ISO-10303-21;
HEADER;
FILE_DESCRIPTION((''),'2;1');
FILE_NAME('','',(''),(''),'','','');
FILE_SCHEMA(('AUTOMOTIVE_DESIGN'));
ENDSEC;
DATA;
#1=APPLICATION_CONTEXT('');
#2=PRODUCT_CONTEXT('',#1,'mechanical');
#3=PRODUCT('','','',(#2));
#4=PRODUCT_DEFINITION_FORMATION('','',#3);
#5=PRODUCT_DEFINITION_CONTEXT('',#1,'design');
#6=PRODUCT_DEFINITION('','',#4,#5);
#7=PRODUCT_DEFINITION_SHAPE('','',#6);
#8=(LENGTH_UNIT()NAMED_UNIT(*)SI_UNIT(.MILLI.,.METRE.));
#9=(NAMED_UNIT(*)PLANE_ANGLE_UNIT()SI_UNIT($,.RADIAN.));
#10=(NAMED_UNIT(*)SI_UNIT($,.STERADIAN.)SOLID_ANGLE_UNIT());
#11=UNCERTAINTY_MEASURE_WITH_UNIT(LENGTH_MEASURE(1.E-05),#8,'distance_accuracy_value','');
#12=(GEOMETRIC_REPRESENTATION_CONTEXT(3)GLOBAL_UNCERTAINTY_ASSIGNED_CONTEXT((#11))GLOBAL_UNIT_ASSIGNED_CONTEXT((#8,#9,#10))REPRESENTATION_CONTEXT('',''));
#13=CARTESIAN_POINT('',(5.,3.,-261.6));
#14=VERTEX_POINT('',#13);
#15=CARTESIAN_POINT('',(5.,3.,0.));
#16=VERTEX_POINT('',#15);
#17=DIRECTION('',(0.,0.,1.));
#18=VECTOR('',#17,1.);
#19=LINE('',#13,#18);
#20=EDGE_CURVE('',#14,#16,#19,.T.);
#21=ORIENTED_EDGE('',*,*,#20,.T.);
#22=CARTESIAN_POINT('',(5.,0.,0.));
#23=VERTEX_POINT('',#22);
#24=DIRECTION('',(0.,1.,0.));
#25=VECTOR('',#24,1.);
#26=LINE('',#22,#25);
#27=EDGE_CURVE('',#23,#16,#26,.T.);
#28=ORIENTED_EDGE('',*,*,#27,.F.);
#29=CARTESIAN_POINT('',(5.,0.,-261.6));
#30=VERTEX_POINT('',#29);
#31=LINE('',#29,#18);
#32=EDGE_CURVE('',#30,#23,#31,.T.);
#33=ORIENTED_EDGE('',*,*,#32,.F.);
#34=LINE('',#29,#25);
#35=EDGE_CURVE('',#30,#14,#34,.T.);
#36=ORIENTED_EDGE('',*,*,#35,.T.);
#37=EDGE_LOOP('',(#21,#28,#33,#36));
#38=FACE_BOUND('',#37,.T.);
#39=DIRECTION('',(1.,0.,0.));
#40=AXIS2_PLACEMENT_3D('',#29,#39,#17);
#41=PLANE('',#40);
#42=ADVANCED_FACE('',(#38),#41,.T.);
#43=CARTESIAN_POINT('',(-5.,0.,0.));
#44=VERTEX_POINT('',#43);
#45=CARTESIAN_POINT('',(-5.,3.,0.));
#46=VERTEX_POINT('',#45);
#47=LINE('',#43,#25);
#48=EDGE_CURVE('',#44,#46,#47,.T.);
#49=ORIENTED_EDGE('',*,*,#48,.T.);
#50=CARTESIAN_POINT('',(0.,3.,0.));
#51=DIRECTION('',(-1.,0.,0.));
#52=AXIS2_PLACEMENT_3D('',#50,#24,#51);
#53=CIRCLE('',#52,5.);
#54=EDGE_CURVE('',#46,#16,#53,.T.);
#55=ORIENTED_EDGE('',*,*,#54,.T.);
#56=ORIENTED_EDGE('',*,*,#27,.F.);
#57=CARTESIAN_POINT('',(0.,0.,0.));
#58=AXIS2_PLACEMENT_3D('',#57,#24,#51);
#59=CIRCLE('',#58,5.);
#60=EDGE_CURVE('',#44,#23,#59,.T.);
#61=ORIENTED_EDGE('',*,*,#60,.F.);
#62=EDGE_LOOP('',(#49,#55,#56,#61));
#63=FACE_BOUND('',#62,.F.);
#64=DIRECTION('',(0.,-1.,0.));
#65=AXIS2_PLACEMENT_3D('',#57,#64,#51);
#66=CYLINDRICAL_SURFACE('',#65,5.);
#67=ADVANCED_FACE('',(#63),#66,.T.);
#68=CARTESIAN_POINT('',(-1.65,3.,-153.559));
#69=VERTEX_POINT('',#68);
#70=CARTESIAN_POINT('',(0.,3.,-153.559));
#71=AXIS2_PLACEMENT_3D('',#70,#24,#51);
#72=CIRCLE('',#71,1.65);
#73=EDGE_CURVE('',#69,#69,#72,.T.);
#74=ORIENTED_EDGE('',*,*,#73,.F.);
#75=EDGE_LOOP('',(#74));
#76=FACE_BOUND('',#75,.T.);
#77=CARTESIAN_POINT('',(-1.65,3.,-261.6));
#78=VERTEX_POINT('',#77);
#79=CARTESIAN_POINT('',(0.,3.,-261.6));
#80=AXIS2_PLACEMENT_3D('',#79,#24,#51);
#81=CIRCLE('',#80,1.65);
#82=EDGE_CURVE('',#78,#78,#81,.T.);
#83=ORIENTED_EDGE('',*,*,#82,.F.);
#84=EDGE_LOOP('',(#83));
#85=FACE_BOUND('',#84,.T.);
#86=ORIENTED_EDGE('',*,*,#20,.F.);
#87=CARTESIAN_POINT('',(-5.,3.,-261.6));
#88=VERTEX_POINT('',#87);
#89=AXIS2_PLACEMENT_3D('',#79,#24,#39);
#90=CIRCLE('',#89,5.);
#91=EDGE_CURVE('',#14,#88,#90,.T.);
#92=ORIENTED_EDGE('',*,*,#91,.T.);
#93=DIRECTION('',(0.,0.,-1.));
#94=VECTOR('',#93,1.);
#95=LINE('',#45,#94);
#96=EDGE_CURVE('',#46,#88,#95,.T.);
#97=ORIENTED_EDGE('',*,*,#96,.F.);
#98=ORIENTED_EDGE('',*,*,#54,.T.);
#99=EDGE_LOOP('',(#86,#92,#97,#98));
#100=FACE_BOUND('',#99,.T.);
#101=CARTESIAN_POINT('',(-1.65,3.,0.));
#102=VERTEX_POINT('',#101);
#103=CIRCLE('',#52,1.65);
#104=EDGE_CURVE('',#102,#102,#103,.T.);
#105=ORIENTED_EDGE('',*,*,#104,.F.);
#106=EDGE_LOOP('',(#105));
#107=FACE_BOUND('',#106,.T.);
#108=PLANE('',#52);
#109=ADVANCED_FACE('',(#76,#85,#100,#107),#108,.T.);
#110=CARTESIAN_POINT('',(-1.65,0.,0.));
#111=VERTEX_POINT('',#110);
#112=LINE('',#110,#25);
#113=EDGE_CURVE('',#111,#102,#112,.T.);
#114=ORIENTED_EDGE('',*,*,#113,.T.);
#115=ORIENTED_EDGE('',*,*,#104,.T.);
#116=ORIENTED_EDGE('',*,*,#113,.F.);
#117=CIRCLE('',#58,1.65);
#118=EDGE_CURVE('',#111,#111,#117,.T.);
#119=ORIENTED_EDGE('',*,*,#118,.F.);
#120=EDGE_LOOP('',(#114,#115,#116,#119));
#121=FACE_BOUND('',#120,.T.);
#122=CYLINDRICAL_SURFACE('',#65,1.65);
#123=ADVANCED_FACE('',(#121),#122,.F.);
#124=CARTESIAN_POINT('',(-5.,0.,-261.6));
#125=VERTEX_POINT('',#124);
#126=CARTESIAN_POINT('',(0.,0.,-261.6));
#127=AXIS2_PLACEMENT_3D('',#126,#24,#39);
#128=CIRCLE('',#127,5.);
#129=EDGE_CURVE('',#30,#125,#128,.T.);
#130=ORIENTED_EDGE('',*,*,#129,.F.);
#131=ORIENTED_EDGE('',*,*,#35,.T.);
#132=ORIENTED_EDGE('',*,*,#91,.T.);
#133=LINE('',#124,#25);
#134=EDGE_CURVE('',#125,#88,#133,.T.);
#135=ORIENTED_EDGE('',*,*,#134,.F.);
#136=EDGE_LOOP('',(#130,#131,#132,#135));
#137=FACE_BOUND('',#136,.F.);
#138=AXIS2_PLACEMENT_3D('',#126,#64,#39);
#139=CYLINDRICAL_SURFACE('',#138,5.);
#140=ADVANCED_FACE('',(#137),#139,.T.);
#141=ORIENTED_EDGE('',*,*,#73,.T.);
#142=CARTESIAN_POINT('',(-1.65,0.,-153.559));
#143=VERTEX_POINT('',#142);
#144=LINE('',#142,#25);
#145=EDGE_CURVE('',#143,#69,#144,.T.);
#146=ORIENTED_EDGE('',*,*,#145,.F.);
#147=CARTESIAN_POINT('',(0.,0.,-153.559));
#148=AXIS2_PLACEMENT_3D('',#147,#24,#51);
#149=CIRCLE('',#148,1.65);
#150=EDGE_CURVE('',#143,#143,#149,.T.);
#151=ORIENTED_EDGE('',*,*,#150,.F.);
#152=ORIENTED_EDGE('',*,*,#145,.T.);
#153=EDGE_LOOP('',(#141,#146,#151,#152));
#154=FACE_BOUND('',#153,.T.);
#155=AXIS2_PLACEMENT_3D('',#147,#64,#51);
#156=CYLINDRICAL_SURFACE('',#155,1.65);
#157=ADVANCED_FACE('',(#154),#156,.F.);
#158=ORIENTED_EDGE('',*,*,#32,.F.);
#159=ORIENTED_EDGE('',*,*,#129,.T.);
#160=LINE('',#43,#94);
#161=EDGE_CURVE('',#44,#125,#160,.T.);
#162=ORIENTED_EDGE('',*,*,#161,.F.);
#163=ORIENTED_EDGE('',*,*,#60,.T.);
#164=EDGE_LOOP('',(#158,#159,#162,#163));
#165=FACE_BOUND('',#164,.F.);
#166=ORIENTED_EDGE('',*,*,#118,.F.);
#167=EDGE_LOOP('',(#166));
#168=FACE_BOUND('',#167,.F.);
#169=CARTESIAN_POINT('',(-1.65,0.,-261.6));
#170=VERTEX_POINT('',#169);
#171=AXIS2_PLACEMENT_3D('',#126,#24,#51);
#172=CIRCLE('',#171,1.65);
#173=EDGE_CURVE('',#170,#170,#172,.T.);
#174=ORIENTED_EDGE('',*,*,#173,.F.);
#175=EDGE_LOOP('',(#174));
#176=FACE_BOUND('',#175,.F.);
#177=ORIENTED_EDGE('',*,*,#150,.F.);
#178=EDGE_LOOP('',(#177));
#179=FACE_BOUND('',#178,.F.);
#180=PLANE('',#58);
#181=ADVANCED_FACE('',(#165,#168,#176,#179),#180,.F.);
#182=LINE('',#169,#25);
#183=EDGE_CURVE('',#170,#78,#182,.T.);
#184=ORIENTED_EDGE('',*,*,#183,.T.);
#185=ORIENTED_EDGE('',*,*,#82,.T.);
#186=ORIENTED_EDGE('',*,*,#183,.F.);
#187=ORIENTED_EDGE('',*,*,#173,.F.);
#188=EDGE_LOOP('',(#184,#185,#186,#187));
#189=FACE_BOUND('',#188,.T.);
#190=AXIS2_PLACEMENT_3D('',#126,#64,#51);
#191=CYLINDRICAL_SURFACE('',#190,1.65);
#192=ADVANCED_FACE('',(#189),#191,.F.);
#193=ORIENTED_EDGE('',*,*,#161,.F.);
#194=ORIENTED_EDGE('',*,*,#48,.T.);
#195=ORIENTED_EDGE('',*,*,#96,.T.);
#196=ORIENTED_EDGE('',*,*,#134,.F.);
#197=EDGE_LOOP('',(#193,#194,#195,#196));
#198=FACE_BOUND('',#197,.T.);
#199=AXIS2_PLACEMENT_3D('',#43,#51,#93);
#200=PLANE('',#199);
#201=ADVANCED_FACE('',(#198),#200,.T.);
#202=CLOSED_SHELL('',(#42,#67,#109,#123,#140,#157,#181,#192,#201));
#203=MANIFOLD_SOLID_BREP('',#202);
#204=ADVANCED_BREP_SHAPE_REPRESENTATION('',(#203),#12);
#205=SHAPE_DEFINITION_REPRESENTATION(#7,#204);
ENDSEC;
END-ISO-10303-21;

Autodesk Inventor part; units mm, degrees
ref_plane "YZ Plane" through (0, 0, 0) normal (1, 0, 0) x (0, 1, 0)
ref_plane "XZ Plane" through (0, 0, 0) normal (0, 1, 0) x (-1, 0, 0)
ref_plane "XY Plane" through (0, 0, 0) normal (0, 0, 1) x (1, 0, 0)
sketch "Sketch1" plane through (0, 0, 0) normal (0, 1, 0) x (-1, 0, 0)
  line L0 (0, 0) -> (0, -261.6) construction
  line L1 (5, 0) -> (5, -261.6)
  line L2 (-5, -261.6) -> (-5, 0)
  arc A0 (5, 0) -> (-5, 0) centre (0, 0) ccw
  arc A1 (-5, -261.6) -> (5, -261.6) centre (0, -261.6) ccw
  circle A2 centre (0, 0) radius 1.65
  circle A3 centre (0, -261.6) radius 1.65
  circle A4 centre (0, -153.559) radius 1.65
  point P0 (0, -130.8)
  dimension "d0" = 3.3
  dimension "d1" = 3.3
  dimension "d2" = 10
  dimension "d3" = 261.6
  dimension "d4" = 3.3
  dimension "d5" = 153.559
extrude "Extrusion1" add sketch "Sketch1" along normal blind 3
